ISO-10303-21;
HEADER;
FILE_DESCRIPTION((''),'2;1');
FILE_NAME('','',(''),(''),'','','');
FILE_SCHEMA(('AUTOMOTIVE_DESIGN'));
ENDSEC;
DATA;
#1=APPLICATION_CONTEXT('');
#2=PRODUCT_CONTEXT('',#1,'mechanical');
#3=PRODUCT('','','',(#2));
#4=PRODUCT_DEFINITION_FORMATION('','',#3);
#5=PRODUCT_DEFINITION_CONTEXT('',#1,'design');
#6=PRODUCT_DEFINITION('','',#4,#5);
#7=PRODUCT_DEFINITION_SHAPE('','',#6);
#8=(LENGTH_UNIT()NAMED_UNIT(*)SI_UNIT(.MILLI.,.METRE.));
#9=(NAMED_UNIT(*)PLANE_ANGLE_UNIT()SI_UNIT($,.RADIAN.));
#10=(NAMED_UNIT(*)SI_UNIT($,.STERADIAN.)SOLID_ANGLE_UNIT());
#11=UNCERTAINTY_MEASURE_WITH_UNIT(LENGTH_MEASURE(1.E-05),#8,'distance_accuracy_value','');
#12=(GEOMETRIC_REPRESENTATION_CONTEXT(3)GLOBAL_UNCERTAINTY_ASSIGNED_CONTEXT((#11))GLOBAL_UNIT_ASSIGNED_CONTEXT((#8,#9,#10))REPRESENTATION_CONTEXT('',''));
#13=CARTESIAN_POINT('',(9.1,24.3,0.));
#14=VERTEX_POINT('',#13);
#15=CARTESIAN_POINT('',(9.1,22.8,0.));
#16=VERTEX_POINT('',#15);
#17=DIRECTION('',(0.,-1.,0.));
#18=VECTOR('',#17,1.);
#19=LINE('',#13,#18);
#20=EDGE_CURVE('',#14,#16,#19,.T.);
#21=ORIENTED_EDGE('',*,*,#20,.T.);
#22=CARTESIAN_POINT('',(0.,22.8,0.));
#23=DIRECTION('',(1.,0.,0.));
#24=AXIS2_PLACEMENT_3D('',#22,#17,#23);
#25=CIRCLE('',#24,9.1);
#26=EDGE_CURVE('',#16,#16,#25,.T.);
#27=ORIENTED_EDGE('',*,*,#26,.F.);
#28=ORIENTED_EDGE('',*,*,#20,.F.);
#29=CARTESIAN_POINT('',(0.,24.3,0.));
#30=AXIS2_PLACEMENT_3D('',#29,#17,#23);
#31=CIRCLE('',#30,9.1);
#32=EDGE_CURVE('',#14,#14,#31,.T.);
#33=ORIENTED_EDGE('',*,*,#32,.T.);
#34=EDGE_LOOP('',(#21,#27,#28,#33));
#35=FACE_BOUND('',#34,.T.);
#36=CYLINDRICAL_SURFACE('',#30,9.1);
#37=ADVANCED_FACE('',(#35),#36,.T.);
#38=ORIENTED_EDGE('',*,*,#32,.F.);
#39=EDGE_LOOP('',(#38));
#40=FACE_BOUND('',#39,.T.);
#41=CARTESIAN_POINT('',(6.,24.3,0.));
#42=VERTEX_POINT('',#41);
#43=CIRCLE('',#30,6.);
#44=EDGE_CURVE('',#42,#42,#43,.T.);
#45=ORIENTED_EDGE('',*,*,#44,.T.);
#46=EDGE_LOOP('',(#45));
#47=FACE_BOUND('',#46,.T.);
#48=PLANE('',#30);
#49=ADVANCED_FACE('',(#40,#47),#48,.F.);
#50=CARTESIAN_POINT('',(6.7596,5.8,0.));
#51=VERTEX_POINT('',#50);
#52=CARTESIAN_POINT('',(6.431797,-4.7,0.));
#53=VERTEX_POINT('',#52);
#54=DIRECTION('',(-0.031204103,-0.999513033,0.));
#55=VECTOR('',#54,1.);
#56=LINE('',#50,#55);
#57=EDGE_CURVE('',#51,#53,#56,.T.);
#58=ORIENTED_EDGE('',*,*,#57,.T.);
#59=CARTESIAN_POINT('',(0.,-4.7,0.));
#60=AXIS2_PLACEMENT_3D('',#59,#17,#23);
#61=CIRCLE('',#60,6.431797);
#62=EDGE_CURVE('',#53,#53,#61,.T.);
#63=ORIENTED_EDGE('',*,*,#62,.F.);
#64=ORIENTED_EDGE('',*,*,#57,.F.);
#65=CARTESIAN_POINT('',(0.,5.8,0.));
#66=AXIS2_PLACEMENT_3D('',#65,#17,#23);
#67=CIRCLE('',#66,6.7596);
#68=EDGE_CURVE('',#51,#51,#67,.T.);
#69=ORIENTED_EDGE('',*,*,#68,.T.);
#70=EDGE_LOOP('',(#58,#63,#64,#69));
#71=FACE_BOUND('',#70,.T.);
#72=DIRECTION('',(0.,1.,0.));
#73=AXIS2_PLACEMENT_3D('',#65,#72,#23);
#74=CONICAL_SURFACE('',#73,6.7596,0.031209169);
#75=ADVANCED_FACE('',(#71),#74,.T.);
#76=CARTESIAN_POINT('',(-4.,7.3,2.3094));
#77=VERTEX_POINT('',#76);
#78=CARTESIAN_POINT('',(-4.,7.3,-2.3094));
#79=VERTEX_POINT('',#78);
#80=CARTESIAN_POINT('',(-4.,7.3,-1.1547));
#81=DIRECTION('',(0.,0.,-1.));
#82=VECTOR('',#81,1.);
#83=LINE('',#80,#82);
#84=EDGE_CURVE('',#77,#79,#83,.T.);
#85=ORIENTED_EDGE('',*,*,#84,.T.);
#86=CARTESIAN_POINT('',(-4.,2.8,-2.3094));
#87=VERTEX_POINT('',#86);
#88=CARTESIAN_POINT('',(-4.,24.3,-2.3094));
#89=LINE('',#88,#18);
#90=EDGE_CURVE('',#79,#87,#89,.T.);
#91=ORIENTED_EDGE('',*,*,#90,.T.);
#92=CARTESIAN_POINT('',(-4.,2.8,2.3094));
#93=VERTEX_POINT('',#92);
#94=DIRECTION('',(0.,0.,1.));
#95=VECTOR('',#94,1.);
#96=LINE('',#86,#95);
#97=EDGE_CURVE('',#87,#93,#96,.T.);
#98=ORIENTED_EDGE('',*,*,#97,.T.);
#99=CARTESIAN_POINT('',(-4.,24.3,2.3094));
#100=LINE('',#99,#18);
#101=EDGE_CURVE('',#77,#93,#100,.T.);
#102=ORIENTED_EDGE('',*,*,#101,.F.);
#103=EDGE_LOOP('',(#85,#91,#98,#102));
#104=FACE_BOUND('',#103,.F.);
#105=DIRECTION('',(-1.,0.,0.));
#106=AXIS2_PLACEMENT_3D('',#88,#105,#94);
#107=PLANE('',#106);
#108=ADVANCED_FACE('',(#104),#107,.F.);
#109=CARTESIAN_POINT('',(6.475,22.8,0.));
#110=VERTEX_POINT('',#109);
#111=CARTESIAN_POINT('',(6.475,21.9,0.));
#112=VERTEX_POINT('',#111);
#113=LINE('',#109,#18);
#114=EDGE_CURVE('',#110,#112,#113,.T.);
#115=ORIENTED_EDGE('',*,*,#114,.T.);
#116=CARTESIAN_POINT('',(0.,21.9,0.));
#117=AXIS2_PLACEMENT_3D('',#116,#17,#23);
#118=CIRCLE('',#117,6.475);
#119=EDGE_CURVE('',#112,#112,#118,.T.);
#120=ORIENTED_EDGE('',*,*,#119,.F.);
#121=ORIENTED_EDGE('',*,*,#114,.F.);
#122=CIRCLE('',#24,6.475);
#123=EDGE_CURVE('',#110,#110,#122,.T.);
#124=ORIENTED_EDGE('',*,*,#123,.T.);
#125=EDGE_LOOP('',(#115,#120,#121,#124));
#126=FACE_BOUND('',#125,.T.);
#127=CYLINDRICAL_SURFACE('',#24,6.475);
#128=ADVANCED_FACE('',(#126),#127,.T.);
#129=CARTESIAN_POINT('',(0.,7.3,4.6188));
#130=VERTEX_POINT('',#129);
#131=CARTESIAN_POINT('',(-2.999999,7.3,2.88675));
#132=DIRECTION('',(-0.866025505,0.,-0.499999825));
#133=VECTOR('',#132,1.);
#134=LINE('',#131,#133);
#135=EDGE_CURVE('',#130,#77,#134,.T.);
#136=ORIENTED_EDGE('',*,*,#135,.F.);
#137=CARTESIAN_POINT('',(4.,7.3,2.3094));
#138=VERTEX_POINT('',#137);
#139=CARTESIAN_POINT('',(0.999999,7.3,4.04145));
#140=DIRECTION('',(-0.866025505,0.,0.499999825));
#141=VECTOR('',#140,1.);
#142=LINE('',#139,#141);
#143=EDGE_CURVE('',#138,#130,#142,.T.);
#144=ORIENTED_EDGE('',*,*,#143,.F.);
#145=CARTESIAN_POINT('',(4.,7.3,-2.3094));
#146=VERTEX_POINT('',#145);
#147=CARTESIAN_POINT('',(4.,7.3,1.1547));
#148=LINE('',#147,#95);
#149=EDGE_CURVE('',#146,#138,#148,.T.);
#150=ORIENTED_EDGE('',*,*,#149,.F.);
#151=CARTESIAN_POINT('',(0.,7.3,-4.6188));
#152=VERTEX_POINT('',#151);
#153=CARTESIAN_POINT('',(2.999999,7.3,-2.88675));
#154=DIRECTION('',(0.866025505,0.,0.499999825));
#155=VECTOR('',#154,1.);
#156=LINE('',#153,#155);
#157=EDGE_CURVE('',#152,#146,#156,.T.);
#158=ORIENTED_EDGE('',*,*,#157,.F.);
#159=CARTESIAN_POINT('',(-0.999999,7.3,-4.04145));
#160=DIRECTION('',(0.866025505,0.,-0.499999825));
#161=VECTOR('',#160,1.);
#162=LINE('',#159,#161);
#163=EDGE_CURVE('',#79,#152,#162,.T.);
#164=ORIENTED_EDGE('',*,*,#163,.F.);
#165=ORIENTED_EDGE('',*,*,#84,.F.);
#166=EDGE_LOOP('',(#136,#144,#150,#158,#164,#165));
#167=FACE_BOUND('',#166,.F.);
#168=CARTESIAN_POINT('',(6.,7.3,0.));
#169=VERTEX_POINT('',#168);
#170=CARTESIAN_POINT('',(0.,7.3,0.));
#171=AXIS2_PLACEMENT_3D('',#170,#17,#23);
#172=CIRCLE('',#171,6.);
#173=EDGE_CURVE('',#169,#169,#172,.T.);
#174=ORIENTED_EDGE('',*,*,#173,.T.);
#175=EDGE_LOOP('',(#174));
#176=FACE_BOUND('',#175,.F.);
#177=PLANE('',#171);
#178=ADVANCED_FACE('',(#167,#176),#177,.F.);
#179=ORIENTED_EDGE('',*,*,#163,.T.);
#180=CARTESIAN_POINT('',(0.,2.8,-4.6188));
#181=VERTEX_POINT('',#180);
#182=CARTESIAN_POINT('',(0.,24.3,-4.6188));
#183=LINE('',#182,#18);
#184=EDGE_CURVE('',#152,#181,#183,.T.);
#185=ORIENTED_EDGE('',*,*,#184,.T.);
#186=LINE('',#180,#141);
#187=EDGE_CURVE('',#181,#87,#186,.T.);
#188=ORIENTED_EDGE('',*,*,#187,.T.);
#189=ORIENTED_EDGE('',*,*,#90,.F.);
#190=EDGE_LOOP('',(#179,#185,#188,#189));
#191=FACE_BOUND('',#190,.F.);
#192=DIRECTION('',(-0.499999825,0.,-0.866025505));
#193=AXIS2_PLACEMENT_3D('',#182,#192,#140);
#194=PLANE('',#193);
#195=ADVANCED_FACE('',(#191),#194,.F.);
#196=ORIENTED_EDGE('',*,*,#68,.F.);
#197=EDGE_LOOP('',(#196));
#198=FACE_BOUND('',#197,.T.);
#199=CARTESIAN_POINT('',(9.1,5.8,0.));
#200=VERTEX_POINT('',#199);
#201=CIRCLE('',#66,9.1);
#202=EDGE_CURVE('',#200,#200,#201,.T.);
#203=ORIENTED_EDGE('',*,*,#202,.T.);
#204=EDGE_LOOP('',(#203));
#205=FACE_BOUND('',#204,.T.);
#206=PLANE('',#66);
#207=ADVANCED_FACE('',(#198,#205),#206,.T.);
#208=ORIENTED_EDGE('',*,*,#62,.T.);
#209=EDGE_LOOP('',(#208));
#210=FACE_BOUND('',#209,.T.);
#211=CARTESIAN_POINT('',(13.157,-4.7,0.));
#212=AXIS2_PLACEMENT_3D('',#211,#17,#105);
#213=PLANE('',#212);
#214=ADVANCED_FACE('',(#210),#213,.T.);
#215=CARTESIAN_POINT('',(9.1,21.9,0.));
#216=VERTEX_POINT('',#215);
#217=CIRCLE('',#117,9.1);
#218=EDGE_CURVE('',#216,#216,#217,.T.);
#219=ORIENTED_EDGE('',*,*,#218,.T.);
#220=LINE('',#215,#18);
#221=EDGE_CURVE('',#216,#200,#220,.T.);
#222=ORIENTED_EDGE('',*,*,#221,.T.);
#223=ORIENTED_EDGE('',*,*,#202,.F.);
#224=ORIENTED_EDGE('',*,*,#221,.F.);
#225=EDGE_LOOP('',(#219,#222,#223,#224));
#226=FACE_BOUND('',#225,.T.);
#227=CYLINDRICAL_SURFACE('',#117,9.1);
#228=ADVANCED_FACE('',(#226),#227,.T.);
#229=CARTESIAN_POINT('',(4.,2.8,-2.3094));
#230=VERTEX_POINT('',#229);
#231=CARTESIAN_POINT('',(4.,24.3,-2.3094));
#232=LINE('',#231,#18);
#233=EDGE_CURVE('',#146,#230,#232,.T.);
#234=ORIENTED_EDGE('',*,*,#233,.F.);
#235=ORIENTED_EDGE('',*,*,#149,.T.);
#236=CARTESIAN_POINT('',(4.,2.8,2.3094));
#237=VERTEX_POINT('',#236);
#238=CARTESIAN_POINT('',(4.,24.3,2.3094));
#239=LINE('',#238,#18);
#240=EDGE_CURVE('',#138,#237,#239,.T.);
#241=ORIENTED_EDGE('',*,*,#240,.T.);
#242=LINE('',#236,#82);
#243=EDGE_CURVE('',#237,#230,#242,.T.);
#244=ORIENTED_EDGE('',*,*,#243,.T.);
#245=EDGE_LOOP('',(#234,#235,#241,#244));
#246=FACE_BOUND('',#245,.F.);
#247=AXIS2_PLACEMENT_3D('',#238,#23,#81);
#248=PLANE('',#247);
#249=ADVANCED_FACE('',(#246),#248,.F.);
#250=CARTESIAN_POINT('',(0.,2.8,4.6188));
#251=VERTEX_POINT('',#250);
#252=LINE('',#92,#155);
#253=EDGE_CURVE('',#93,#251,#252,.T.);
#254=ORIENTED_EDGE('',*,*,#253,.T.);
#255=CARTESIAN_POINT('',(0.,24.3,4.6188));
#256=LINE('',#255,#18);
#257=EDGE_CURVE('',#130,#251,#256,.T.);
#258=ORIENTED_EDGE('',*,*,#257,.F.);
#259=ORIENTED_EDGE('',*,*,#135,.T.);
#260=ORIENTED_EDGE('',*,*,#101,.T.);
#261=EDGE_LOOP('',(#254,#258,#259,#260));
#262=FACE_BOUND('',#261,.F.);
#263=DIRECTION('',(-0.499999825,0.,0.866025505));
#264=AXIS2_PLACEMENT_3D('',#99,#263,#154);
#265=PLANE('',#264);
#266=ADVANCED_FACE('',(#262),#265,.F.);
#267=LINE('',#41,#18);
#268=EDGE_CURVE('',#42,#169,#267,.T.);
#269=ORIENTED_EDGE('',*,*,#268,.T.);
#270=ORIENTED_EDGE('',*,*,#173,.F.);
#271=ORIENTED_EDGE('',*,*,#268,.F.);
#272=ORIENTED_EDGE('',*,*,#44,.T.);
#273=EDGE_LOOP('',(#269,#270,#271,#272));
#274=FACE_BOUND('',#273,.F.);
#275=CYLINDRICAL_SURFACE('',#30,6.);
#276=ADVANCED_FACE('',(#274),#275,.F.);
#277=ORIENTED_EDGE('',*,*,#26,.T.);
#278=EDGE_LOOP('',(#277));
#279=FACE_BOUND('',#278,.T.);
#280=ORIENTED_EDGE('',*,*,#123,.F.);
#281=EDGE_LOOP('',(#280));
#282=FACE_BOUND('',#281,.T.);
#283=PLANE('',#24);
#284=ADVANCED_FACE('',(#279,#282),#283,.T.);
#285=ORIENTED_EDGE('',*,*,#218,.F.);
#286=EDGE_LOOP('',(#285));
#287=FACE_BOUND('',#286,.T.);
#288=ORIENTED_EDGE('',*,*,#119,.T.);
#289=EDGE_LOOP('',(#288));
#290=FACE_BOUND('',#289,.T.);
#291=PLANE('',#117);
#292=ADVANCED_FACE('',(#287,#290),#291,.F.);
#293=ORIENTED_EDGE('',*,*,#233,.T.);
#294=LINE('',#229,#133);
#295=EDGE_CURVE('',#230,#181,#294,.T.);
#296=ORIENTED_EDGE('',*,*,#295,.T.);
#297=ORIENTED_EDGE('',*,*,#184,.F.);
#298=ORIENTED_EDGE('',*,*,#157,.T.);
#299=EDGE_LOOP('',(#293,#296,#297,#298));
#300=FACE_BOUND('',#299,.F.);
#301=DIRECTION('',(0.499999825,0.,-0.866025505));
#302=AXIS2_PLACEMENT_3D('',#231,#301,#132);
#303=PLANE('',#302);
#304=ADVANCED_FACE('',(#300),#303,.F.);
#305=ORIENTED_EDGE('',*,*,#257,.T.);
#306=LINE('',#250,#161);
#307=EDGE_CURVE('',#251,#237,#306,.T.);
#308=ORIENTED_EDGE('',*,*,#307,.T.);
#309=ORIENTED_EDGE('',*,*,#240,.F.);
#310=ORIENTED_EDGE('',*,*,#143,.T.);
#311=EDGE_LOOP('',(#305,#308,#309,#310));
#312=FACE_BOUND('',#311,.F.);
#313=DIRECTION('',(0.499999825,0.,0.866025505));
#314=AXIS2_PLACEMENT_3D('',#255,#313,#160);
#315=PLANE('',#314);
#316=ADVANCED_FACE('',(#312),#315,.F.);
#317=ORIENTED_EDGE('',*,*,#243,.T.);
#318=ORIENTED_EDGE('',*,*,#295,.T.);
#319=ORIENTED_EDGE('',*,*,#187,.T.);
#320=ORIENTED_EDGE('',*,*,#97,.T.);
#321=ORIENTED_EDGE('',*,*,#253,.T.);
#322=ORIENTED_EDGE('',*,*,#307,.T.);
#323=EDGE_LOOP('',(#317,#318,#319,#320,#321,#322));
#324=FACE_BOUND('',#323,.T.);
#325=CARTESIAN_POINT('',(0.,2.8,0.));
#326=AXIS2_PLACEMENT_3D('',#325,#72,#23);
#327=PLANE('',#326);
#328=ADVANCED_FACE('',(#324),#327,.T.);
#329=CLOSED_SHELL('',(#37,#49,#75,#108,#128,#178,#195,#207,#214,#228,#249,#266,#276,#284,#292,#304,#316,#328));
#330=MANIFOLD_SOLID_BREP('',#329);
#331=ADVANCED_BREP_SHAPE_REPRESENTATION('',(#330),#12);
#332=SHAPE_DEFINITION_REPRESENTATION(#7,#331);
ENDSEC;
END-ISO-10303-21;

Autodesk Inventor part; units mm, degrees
sketch "Sketch_1" plane through (0, 0, 0) normal (0, 0, 1) x (1, 0, 0)
  line L0 (0, -6.01) -> (0, 24.3)
  line L1 (0, 24.3) -> (9.1, 24.3)
  line L2 (9.1, 24.3) -> (9.1, 22.8)
  line L3 (9.1, 22.8) -> (6.475, 22.8)
  line L4 (6.475, 22.8) -> (6.475, 21.9)
  line L5 (6.475, 21.9) -> (9.1, 21.9)
  line L6 (9.1, 21.9) -> (9.1, 5.8)
  line L7 (9.1, 5.8) -> (6.7596, 5.8)
  line L8 (6.7596, 5.8) -> (6.3909, -6.01)
  line L9 (6.3909, -6.01) -> (0, -6.01)
  line L10 (0, -6.01) -> (0, 24.3)
revolve "Revolution1" add sketch "Sketch_1" angle 360 about axis through (0, -6.01, 0) along (0, -1, 0)
thread "Thread1" size "R 1/4" standard "ISO Taper" full length
sketch "_____1" plane through (0, 0, 0) normal (0, 0, 1) x (1, 0, 0)
  line L0 (-13.157, -4.7) -> (-13.157, -6.01)
  line L1 (-13.157, -6.01) -> (13.157, -6.01)
  line L2 (13.157, -6.01) -> (13.157, -4.7)
  line L3 (13.157, -4.7) -> (-13.157, -4.7)
extrude "Extrusion1" cut sketch "_____1" along normal mid plane 26.314
sketch "Sketch_2" plane through (0, 0, 0) normal (0, 0, 1) x (1, 0, 0)
  line L0 (0, 7.3) -> (0, 24.3)
  line L1 (0, 24.3) -> (6, 24.3)
  line L2 (6, 24.3) -> (6, 7.3)
  line L3 (6, 7.3) -> (0, 7.3)
  line L4 (0, 7.3) -> (0, 24.3)
revolve "Revolution2" cut sketch "Sketch_2" angle 360 about axis through (0, 7.3, 0) along (0, -1, 0)
sketch "Sketch_3" plane through (0, 24.3, 0) normal (0, 1, 0) x (1, 0, 0)
  line L0 (-4, -2.3094) -> (0, -4.6188)
  line L1 (0, -4.6188) -> (4, -2.3094)
  line L2 (4, -2.3094) -> (4, 2.3094)
  line L3 (4, 2.3094) -> (0, 4.6188)
  line L4 (0, 4.6188) -> (-4, 2.3094)
  line L5 (-4, 2.3094) -> (-4, -2.3094)
extrude "Extrusion2" cut sketch "Sketch_3" against normal blind 21.5
ref_plane "CNS_SCREW_XY" through (0, 0, 0) normal (0, 1, 0) x (1, 0, 0)
ref_plane "CNS_SCREW_YZ" through (0, 0, 0) normal (1, 0, 0) x (0, 0, -1)
ref_plane "CNS_SCREW_ZX" through (0, 0, 0) normal (0, 0, -1) x (0, 1, 0)
properties part number "KQ2S12-02AS (A) Brass"
